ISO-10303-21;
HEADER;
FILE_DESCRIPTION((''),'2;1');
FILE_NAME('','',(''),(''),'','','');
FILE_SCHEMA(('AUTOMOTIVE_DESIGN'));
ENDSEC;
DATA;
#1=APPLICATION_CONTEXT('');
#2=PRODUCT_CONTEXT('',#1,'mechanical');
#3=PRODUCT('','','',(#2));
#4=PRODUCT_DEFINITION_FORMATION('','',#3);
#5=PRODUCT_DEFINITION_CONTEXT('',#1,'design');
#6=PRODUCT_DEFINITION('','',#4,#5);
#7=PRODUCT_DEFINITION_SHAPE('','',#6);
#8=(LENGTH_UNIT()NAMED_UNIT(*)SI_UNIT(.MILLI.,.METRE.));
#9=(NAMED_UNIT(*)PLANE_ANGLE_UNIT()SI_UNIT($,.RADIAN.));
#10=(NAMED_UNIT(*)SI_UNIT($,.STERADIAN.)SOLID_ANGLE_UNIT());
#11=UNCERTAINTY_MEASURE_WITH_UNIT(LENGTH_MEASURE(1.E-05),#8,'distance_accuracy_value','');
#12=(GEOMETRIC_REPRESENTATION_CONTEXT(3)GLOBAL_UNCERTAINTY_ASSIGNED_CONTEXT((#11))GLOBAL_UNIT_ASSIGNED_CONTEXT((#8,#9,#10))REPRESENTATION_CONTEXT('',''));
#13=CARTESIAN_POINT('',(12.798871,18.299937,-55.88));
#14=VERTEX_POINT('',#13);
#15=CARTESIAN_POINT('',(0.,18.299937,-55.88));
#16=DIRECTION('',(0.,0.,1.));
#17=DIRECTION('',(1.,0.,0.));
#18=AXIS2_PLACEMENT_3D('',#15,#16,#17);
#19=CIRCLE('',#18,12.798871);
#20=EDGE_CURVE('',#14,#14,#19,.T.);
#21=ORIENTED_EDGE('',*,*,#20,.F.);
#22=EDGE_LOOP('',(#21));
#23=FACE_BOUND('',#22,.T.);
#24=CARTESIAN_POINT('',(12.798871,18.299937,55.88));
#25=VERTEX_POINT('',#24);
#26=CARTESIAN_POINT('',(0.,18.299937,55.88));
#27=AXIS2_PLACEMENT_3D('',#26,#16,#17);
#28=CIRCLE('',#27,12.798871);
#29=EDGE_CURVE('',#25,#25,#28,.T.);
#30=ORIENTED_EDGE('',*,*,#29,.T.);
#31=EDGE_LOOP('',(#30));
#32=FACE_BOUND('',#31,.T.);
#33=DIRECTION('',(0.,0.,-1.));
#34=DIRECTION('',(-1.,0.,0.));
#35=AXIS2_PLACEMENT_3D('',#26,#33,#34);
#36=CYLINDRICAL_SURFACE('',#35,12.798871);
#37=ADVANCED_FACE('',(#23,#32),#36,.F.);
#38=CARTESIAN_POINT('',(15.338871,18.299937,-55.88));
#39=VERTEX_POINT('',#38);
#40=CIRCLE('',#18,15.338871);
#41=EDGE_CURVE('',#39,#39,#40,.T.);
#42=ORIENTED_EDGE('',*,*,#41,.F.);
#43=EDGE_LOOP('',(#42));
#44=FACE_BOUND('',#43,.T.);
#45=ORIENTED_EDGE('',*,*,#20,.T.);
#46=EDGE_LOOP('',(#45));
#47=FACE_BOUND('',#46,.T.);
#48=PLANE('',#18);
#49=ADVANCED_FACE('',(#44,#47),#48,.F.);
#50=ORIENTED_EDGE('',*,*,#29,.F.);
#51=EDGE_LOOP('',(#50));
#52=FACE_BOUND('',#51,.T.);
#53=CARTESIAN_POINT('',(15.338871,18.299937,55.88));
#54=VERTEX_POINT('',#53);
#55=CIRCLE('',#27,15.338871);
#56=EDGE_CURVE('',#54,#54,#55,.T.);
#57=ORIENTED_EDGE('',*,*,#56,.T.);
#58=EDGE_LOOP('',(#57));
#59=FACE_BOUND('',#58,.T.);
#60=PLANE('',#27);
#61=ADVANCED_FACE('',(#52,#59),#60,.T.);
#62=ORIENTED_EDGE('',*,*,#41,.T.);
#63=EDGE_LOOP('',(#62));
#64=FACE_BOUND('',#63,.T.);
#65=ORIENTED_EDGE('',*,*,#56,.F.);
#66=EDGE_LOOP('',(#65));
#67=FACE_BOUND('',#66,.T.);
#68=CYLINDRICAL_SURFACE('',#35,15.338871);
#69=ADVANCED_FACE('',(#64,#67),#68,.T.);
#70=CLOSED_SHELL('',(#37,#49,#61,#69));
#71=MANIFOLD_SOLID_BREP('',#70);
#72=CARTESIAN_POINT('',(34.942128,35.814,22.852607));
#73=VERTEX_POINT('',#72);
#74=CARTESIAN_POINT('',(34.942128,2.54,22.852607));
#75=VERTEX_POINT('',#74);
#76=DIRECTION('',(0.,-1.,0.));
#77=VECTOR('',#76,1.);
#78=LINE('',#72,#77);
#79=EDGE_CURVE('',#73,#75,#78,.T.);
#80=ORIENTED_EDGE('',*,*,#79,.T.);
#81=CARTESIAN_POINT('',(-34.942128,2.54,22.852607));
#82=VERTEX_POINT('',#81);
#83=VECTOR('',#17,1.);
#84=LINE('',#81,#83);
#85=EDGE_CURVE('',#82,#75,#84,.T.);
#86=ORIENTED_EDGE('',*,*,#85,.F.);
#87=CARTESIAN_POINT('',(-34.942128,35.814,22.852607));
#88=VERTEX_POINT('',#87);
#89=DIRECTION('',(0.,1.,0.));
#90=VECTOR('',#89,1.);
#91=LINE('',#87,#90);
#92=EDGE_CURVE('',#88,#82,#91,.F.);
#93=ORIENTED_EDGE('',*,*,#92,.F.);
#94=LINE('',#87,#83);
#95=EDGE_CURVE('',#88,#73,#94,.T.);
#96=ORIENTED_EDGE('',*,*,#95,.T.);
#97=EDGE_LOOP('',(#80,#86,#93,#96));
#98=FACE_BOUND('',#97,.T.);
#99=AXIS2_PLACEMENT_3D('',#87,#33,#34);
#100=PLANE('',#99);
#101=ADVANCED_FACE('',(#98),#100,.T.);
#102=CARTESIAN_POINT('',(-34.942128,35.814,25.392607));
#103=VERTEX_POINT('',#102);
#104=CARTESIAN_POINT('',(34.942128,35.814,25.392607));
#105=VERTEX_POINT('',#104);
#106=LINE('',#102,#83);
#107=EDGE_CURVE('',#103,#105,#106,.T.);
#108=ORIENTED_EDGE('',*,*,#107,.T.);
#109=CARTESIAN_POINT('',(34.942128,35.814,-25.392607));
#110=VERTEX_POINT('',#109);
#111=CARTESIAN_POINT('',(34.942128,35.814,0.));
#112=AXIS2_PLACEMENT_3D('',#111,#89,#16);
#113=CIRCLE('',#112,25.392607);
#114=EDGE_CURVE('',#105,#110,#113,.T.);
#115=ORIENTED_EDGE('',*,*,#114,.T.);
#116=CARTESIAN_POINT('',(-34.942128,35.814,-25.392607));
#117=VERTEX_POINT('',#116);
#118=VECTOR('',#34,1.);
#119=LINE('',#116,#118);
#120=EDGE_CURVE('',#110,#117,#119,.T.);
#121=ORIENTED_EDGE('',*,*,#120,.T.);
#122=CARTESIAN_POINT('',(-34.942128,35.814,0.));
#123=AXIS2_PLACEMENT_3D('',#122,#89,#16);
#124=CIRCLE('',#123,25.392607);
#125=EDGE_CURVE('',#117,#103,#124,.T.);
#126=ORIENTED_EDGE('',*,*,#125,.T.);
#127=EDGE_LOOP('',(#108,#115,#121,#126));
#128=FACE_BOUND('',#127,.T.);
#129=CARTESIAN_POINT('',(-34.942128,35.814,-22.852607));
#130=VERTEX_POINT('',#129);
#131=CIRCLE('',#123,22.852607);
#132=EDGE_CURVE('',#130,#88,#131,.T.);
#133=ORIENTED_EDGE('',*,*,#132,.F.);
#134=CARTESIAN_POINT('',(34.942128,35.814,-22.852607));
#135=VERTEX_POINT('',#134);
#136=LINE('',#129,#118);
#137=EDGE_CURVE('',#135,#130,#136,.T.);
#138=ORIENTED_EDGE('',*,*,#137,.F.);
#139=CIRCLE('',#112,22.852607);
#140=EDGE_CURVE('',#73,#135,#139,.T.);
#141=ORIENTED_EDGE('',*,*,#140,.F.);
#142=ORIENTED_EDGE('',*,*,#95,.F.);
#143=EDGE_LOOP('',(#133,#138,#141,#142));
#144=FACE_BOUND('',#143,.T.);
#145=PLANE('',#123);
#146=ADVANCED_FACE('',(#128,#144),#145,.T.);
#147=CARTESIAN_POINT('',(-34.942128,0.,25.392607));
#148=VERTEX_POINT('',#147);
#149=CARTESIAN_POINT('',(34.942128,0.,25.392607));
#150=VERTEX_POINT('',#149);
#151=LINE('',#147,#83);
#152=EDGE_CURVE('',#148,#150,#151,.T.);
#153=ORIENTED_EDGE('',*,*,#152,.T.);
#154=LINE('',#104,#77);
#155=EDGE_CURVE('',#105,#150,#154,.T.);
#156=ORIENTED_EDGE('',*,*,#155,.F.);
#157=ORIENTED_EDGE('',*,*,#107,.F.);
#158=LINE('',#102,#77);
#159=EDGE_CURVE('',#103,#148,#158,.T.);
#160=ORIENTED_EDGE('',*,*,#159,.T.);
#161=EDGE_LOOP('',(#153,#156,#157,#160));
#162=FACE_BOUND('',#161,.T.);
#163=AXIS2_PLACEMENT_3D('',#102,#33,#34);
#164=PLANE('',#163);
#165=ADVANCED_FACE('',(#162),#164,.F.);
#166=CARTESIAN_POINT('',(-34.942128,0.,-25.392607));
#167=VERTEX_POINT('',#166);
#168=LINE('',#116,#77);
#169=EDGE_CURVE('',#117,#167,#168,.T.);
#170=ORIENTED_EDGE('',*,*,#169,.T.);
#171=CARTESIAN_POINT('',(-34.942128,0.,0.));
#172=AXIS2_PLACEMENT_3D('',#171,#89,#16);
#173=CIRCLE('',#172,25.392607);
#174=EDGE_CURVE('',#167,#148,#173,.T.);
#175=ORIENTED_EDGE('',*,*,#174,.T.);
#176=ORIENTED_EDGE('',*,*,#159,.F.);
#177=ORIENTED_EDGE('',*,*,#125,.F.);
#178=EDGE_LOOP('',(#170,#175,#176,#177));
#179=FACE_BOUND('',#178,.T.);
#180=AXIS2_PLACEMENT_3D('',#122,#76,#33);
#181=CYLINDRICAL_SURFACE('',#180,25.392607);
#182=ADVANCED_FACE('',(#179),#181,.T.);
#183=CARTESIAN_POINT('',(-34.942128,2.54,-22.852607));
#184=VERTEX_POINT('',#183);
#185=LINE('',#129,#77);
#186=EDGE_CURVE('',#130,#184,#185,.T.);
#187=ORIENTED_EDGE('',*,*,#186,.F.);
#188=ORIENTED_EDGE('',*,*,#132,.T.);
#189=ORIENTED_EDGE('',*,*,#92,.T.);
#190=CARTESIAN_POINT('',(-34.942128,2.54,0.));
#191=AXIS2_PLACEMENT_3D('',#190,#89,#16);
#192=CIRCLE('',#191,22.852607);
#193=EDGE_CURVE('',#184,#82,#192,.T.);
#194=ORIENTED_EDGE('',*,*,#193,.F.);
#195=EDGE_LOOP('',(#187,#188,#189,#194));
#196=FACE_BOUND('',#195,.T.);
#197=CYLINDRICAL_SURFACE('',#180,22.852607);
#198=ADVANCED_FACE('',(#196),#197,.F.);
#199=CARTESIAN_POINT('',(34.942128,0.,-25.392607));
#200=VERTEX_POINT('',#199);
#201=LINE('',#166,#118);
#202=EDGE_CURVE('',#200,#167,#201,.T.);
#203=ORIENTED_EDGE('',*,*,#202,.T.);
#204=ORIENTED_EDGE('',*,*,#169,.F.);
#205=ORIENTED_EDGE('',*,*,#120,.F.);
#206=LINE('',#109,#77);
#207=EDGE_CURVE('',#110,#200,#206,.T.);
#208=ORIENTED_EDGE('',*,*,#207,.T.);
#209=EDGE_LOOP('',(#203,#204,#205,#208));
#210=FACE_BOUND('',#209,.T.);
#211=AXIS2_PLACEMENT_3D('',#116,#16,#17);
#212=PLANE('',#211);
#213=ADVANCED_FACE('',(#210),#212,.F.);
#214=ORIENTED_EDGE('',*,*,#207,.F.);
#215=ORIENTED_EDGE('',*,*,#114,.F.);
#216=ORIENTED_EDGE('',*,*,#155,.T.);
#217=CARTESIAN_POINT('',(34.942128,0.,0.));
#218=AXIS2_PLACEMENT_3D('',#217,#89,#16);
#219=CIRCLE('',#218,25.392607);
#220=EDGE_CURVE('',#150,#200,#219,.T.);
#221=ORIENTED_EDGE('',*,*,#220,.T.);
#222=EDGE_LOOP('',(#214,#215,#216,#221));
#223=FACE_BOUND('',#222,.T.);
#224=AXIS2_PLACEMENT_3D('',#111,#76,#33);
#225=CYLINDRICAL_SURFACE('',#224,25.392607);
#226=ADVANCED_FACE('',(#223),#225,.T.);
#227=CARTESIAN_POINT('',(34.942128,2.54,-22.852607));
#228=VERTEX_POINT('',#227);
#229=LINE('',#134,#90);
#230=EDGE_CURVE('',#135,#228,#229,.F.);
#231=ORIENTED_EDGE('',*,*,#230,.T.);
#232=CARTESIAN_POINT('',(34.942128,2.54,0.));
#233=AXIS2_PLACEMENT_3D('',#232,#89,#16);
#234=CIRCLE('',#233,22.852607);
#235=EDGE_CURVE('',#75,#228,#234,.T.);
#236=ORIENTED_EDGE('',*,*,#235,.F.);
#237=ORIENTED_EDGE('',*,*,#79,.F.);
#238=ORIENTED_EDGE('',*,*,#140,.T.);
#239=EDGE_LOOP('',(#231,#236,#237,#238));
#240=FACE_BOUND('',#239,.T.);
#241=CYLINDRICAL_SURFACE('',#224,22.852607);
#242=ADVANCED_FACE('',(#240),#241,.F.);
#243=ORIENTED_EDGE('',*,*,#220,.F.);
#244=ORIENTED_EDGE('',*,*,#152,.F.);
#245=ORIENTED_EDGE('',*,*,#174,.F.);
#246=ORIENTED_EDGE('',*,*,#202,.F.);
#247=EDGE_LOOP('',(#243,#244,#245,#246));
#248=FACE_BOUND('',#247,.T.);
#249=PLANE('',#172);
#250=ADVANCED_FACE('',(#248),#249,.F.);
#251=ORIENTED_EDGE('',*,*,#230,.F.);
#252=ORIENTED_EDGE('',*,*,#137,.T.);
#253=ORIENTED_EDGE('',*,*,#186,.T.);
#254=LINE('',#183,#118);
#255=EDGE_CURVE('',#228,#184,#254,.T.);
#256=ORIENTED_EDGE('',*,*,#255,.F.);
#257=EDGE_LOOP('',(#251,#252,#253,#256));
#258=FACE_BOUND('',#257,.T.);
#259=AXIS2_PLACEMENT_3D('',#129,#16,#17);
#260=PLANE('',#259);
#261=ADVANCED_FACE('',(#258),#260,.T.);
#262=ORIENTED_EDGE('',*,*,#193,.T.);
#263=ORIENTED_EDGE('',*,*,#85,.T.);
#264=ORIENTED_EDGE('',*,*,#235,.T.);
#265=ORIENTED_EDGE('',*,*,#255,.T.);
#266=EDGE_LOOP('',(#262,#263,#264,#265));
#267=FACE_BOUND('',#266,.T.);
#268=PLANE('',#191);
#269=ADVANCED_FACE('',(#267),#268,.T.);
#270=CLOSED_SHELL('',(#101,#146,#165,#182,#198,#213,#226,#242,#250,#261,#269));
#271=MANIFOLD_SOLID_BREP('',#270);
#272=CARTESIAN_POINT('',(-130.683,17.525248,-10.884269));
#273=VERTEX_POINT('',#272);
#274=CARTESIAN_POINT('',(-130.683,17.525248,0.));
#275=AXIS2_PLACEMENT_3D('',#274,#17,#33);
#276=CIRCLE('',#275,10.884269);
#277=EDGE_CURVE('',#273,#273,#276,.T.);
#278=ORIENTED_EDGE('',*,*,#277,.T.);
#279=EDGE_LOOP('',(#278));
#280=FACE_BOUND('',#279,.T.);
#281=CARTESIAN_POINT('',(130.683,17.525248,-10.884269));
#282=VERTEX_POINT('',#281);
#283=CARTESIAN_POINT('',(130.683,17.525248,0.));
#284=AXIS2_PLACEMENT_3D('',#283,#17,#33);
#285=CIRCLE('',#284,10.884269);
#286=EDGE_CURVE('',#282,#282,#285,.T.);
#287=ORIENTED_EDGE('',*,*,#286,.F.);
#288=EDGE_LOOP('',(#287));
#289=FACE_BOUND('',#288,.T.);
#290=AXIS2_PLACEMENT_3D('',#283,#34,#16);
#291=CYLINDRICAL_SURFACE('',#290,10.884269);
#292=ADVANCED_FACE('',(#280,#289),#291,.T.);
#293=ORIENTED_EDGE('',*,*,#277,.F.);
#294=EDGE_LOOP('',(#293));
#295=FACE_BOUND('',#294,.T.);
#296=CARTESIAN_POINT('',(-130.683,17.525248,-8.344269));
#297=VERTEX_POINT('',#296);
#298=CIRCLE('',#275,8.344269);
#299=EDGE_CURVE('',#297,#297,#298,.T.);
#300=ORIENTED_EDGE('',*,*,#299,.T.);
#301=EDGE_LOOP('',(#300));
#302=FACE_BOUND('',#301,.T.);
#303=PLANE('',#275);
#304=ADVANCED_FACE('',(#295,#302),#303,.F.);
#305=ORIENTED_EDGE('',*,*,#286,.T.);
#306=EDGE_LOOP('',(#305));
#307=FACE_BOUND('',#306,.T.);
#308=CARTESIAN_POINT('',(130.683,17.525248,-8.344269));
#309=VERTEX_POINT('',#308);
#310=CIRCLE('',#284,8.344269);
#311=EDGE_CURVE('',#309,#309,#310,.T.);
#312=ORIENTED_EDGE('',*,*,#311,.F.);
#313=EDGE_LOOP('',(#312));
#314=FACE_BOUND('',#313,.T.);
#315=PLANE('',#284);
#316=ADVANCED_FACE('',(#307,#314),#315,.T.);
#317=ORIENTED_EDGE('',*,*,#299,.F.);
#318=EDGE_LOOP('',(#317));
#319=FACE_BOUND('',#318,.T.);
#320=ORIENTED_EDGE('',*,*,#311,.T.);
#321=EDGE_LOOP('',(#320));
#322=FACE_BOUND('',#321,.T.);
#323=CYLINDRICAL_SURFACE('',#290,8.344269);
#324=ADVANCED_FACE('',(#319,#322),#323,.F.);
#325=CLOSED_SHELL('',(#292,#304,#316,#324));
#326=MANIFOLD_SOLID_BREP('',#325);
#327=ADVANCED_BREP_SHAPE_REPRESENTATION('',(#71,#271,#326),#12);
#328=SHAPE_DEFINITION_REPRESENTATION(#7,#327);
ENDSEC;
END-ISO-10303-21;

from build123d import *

# Parameters (mm, degrees)
BOSS_EXTRUDE1_DEPTH = 35.814
SHELL1_T            = -2.54
SKETCH2_R           = 10.884269179
SKETCH2_R_2         = 8.344269179
EXTRUDE_THIN1_DEPTH = 130.683
SKETCH3_R           = 15.338870546
SKETCH3_R_2         = 12.798870546
EXTRUDE_THIN2_DEPTH = 55.88


with BuildPart() as part:
    # Sketch1 → Boss-Extrude1 (new body)
    with BuildSketch(Plane(origin=(0, 0, 0), x_dir=(1, 0, 0), z_dir=(0, 1, 0))):
        with BuildLine():
            Line((-34.942128478, 25.392607038), (34.942128478, 25.392607038))
            ThreePointArc((34.942128478, 25.392607038), (60.334735516, 0), (34.942128478, -25.392607038))
            Line((34.942128478, -25.392607038), (-34.942128478, -25.392607038))
            ThreePointArc((-34.942128478, -25.392607038), (-60.334735516, 0), (-34.942128478, 25.392607038))
        make_face()
    extrude(amount=BOSS_EXTRUDE1_DEPTH)

    # Shell1
    shell1_openings = [part.faces().sort_by_distance(p)[0] for p in [
        (0, 35.814, 0),
    ]]
    offset(amount=SHELL1_T, openings=shell1_openings, kind=Kind.INTERSECTION)


with BuildPart() as body_2:
    # Sketch2 → Extrude-Thin1 (new body, symmetric)
    with BuildSketch(Plane(origin=(0, 0, 0), x_dir=(0, 0, -1), z_dir=(1, 0, 0))):
        with Locations((0, 17.525247937)):
            Circle(SKETCH2_R)
        with Locations((0, 17.525247937)):
            Circle(SKETCH2_R_2, mode=Mode.SUBTRACT)
    extrude(amount=EXTRUDE_THIN1_DEPTH, both=True)


with BuildPart() as body_3:
    # Sketch3 → Extrude-Thin2 (new body, symmetric)
    with BuildSketch(Plane.XY):
        with Locations((0, 18.299937242)):
            Circle(SKETCH3_R)
        with Locations((0, 18.299937242)):
            Circle(SKETCH3_R_2, mode=Mode.SUBTRACT)
    extrude(amount=EXTRUDE_THIN2_DEPTH, both=True)


solid = Compound([part.part, body_2.part, body_3.part])
